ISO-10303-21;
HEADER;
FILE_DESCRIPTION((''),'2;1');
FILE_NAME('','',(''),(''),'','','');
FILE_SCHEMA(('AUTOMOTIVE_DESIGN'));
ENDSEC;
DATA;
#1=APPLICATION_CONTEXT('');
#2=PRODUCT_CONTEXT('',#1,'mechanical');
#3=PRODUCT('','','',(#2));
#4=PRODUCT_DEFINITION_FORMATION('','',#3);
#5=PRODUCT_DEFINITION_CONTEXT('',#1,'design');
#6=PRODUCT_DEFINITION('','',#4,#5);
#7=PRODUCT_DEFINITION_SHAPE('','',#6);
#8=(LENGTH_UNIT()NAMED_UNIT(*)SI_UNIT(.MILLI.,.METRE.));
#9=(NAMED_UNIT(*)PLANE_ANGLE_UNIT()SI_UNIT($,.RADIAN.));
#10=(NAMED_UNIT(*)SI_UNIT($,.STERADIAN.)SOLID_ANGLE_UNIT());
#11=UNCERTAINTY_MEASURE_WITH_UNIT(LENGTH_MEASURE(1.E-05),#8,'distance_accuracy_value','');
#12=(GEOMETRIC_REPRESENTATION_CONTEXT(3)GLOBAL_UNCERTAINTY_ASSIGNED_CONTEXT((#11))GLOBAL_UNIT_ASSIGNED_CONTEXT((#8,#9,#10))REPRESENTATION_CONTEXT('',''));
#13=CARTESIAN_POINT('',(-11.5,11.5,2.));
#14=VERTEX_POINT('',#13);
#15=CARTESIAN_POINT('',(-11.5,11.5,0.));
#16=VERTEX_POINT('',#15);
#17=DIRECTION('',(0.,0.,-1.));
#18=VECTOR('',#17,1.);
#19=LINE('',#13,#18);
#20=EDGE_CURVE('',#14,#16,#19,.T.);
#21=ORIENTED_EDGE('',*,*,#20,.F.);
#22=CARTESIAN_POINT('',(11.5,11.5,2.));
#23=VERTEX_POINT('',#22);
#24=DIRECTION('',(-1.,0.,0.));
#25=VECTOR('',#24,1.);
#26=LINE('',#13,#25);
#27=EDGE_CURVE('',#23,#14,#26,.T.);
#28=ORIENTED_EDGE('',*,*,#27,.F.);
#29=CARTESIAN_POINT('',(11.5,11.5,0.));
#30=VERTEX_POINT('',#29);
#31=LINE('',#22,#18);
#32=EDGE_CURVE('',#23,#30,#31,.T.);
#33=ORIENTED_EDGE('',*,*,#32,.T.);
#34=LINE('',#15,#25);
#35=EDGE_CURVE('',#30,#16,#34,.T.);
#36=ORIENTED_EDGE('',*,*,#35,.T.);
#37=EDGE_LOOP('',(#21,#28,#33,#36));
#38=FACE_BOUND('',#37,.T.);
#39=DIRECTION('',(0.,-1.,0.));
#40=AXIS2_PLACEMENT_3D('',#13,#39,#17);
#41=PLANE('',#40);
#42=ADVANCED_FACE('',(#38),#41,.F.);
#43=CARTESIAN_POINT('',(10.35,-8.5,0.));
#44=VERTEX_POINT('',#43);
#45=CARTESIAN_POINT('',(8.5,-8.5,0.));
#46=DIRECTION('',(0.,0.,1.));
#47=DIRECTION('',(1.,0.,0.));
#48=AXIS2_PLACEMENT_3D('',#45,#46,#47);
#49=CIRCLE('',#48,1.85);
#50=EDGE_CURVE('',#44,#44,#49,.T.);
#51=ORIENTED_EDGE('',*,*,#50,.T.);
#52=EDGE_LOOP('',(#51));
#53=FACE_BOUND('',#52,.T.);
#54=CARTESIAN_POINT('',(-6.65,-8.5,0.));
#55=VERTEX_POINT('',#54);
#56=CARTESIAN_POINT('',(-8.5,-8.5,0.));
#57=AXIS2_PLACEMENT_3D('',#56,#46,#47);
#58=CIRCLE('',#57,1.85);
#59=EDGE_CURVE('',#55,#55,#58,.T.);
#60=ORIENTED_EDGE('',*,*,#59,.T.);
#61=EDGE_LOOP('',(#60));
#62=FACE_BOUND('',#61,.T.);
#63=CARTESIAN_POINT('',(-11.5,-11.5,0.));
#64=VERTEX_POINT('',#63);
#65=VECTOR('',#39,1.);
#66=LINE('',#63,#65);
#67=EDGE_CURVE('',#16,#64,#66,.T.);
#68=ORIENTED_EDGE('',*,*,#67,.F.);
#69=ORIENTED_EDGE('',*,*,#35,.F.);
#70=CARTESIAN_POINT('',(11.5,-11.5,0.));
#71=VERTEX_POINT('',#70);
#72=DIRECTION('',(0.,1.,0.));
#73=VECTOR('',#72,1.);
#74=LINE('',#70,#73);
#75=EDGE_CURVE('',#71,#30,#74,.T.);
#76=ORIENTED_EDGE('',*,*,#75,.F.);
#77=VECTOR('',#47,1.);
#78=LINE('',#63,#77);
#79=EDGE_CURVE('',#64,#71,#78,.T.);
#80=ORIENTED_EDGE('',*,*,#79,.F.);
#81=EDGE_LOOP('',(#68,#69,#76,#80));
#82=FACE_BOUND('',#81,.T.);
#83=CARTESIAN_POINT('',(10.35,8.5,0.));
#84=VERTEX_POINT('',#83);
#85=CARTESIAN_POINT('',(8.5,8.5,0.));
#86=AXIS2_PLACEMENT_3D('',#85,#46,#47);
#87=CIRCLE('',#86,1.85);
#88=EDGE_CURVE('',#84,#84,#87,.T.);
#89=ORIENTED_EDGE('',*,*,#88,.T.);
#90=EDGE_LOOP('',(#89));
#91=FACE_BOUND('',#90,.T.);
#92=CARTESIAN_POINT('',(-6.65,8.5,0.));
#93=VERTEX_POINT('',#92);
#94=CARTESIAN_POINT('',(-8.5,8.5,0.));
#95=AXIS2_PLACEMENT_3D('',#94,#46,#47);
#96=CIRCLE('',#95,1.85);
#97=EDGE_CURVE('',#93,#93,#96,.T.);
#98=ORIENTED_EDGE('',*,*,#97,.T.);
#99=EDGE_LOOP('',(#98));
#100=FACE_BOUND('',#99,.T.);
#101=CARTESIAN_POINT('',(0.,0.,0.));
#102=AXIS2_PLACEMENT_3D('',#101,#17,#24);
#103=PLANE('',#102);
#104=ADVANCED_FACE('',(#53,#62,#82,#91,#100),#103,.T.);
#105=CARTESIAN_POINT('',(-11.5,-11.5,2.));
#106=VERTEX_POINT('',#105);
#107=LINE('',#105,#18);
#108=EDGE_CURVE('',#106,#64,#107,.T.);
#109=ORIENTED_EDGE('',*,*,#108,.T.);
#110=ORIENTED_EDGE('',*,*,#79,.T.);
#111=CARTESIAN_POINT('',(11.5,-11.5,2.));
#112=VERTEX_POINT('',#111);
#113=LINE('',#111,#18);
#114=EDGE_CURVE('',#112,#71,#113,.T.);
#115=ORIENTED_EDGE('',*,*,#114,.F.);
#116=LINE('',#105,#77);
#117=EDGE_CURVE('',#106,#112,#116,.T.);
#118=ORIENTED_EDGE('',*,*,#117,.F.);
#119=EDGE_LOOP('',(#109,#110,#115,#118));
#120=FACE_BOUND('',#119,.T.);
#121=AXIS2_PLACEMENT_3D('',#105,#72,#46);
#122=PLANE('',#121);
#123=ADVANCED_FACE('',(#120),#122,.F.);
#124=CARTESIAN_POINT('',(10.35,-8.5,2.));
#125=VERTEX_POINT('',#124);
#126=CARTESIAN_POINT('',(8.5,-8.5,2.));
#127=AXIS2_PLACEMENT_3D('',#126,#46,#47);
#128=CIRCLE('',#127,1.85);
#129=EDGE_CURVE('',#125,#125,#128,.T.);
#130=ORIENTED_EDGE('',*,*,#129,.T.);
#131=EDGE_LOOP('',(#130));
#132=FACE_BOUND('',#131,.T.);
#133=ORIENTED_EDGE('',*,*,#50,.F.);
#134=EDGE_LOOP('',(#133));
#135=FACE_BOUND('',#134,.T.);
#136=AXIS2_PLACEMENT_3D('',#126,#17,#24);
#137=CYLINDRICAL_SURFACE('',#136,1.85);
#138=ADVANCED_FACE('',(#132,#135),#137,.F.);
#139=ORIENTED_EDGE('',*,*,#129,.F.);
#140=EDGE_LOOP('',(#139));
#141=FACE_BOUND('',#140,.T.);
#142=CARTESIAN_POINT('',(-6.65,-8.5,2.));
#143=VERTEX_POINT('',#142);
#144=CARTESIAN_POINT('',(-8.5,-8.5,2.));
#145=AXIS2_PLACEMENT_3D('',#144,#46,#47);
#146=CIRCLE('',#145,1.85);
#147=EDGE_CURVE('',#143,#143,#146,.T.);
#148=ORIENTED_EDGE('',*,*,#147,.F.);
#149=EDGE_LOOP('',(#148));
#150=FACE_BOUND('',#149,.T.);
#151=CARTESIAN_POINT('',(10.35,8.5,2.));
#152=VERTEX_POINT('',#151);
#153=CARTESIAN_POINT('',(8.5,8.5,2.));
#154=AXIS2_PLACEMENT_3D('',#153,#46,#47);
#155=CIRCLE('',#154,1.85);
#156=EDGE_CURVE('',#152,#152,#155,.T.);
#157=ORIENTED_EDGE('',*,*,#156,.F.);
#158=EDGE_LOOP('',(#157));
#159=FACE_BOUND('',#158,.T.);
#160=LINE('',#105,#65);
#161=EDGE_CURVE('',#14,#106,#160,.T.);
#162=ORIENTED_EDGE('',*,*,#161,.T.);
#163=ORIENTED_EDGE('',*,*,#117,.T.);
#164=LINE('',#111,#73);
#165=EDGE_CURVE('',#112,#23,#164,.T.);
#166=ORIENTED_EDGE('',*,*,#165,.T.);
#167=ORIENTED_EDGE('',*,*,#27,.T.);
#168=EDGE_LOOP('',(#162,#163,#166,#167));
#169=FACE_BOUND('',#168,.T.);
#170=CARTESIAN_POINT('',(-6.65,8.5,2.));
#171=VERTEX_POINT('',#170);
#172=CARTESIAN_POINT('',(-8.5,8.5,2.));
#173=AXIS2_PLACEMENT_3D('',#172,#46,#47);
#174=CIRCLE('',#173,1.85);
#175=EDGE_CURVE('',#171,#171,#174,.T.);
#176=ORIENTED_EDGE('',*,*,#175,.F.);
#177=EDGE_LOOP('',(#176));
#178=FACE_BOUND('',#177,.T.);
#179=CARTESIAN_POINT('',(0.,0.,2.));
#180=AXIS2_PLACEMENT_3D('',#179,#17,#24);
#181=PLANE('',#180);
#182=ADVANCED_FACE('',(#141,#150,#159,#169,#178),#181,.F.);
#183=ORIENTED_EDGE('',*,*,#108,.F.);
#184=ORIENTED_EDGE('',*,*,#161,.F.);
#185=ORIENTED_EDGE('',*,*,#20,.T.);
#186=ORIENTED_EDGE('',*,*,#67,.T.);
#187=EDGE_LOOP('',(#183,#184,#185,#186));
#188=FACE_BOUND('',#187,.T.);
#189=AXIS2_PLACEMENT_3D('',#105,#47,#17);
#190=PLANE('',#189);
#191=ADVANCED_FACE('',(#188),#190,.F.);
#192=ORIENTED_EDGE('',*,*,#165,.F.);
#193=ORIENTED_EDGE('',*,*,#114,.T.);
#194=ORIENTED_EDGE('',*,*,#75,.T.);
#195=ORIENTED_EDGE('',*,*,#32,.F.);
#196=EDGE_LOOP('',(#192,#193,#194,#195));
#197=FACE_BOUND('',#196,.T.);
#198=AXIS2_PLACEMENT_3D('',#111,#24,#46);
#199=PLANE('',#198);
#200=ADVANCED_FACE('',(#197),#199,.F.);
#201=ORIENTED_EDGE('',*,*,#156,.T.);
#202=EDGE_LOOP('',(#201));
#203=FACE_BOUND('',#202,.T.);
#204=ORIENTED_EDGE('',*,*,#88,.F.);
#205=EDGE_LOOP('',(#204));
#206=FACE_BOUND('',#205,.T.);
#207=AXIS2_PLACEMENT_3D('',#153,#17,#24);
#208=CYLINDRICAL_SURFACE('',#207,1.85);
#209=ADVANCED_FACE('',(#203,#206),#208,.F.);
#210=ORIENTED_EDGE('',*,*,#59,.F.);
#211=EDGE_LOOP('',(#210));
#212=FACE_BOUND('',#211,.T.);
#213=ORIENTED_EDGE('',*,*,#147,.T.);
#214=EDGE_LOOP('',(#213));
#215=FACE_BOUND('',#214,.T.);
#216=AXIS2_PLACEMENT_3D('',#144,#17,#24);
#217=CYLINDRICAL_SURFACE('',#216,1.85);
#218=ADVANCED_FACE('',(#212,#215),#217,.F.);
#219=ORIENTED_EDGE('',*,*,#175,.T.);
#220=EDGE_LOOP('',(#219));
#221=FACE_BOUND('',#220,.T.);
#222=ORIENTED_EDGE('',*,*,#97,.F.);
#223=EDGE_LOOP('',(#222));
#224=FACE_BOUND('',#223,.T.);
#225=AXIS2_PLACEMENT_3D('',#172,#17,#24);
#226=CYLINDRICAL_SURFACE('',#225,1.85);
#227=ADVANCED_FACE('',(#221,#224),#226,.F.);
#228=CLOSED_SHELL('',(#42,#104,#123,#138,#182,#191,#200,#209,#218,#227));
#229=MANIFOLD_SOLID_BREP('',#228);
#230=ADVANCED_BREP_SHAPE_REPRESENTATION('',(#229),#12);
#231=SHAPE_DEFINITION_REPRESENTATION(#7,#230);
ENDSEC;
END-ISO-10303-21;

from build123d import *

# Parameters (mm, degrees)
SKETCH1_W           = 23
SKETCH1_H           = 23
SKETCH1_R           = 1.85
BOSS_EXTRUDE1_DEPTH = 2


with BuildPart() as part:
    # Sketch1 → Boss-Extrude1 (new body)
    with BuildSketch(Plane.XY):
        Rectangle(SKETCH1_W, SKETCH1_H)
        with Locations((-8.5, 8.5)):
            Circle(SKETCH1_R, mode=Mode.SUBTRACT)
        with Locations((8.5, 8.5)):
            Circle(SKETCH1_R, mode=Mode.SUBTRACT)
        with Locations((8.5, -8.5)):
            Circle(SKETCH1_R, mode=Mode.SUBTRACT)
        with Locations((-8.5, -8.5)):
            Circle(SKETCH1_R, mode=Mode.SUBTRACT)
    extrude(amount=BOSS_EXTRUDE1_DEPTH)


solid = part.part
